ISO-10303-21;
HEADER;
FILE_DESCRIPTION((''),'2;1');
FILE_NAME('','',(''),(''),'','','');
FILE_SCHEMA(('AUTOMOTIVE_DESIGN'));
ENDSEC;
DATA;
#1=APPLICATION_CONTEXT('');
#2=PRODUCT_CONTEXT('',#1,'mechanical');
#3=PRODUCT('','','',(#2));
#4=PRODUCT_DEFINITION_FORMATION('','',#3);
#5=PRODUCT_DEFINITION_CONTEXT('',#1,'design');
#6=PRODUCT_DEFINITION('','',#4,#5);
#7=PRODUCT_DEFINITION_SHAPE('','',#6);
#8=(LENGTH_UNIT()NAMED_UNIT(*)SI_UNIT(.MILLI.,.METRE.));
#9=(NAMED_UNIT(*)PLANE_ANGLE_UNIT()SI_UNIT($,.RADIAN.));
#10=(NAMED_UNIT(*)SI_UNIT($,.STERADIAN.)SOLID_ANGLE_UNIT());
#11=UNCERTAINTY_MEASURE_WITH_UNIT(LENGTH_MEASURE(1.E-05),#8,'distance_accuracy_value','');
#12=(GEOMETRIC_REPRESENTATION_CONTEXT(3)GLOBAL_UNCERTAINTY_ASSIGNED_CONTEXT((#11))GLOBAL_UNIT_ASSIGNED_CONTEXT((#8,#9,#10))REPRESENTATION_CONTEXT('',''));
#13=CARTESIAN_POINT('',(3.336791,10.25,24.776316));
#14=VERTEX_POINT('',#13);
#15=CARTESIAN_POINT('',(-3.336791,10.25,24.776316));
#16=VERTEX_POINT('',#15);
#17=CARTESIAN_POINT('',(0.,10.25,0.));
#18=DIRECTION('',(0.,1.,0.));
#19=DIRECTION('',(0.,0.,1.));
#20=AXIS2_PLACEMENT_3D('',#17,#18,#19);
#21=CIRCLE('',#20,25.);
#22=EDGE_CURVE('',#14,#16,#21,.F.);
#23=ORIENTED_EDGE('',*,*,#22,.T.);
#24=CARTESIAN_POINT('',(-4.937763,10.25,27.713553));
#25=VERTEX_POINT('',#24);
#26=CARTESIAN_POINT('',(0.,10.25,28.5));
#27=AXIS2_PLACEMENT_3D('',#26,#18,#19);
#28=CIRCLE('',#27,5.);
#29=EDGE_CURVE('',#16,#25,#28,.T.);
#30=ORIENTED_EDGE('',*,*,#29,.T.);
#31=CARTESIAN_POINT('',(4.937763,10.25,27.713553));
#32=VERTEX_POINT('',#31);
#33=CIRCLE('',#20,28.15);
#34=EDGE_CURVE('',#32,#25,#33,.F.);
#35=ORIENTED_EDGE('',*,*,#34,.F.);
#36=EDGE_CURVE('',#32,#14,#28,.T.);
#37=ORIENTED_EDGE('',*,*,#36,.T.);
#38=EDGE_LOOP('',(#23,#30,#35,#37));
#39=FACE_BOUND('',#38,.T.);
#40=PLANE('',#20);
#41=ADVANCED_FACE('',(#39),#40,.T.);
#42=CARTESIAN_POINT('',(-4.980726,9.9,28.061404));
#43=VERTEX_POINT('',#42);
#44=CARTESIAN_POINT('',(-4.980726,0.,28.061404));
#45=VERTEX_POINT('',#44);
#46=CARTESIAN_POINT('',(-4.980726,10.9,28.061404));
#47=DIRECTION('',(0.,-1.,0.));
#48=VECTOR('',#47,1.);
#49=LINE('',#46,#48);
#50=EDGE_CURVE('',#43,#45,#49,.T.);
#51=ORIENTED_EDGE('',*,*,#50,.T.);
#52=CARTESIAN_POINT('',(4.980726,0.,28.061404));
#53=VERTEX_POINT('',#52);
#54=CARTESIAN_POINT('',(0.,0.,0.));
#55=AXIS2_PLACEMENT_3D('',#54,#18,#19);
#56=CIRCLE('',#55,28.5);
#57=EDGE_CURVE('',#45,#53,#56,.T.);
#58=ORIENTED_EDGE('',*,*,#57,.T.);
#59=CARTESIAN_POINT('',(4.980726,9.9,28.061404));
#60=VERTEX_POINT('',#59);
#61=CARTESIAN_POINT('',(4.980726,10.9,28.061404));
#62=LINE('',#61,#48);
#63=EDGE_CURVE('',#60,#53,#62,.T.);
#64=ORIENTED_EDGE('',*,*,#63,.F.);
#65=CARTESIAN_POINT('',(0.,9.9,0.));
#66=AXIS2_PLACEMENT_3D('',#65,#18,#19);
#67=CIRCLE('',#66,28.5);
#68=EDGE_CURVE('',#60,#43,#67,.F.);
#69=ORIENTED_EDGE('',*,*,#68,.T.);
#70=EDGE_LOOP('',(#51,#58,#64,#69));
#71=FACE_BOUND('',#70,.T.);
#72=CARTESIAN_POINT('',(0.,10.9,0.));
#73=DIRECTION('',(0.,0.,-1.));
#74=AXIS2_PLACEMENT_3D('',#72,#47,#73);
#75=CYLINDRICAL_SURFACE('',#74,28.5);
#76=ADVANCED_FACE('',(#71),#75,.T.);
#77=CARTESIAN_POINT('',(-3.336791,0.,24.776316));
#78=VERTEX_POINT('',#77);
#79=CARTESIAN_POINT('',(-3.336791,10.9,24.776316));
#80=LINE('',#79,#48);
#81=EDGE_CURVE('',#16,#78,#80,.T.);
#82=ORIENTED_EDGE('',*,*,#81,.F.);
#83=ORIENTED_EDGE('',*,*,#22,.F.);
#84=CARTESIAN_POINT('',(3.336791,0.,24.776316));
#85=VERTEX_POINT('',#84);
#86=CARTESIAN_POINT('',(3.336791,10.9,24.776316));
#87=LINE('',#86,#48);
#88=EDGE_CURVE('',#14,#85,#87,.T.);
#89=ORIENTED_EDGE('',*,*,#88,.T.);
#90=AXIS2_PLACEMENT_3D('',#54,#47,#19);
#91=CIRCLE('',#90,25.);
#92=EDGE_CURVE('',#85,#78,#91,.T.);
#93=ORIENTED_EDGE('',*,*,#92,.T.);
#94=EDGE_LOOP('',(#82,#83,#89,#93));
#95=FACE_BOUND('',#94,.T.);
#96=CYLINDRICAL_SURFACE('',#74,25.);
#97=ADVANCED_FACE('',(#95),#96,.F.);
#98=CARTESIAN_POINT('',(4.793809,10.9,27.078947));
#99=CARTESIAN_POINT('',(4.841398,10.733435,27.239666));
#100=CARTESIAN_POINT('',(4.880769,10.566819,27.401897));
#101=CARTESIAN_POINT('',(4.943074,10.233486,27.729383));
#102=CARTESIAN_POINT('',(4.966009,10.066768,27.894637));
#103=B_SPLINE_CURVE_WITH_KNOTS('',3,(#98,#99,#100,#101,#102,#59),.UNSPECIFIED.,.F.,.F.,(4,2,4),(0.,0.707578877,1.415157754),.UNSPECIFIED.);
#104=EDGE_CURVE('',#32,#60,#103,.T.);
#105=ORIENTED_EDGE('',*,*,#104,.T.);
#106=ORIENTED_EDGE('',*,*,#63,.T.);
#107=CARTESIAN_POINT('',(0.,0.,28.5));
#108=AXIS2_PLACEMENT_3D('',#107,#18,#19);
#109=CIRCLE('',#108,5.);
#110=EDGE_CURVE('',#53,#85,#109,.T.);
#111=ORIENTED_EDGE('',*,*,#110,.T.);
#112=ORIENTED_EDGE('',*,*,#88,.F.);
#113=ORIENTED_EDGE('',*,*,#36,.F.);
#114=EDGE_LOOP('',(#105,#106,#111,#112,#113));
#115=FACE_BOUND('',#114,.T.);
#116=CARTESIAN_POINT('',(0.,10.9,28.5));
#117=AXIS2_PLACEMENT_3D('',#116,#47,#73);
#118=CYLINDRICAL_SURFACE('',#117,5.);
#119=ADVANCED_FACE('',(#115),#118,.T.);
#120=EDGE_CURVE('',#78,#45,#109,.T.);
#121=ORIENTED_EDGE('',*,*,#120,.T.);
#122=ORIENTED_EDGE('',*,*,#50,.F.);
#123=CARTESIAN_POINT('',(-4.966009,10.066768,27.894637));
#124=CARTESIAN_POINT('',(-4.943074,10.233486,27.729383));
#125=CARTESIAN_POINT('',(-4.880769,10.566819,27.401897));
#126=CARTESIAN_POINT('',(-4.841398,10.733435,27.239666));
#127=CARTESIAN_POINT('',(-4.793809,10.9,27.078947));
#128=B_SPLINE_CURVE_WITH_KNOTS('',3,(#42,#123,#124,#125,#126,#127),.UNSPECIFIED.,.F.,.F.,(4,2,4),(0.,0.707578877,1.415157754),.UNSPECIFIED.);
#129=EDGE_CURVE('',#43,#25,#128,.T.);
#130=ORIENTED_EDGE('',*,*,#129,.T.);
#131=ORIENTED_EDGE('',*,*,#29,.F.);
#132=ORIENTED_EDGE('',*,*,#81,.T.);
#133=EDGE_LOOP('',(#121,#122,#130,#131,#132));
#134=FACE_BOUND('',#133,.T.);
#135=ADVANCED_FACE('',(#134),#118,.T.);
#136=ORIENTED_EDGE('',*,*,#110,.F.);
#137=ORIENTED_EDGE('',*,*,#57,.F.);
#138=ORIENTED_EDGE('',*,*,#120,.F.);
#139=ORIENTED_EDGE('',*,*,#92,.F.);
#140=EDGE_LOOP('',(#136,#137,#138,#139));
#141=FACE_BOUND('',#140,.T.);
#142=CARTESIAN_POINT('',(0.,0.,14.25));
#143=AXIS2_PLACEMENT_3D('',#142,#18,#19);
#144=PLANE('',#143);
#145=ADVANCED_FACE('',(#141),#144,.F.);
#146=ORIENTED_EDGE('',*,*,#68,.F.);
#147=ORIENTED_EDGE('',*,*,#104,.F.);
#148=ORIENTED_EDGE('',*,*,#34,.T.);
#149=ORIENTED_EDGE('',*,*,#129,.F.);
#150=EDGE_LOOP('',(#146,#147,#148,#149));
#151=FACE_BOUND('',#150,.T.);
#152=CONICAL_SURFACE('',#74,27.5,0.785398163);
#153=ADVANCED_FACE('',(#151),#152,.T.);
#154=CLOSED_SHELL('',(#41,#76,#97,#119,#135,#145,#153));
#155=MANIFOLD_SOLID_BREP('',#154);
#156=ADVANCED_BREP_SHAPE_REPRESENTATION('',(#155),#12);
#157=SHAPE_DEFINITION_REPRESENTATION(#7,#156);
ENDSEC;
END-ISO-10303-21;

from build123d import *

# Parameters (mm, degrees)
BOSS_EXTRUDE1_DEPTH = 10.9
CHAMFER1_SIZE       = 1
SKETCH2_R           = 39.716531346
CUT_EXTRUDE1_DEPTH  = 0.65


with BuildPart() as part:
    # Sketch1 → Boss-Extrude1 (new body)
    with BuildSketch(Plane(origin=(0, 0, 0), x_dir=(1, 0, 0), z_dir=(0, 1, 0))):
        with BuildLine():
            ThreePointArc((-3.336791258, -24.776315789), (0, -25), (3.336791258, -24.776315789))
            ThreePointArc((3.336791258, -24.776315789), (4.47137835, -26.262417453), (4.980726164, -28.061403509))
            ThreePointArc((4.980726164, -28.061403509), (0, -28.5), (-4.980726164, -28.061403509))
            ThreePointArc((-4.980726164, -28.061403509), (-4.47137835, -26.262417453), (-3.336791258, -24.776315789))
        make_face()
    extrude(amount=BOSS_EXTRUDE1_DEPTH)

    # Chamfer1
    chamfer1_edges = [part.edges().sort_by_distance(p)[0] for p in [
        (0, 10.9, 28.5),
    ]]
    chamfer(chamfer1_edges, length=CHAMFER1_SIZE)

    # Sketch2 → Cut-Extrude1 (cut)
    with BuildSketch(Plane(origin=(0, 10.9, 0), x_dir=(1, 0, 0), z_dir=(0, 1, 0))):
        Circle(SKETCH2_R)
    extrude(amount=-CUT_EXTRUDE1_DEPTH, mode=Mode.SUBTRACT)


solid = part.part
